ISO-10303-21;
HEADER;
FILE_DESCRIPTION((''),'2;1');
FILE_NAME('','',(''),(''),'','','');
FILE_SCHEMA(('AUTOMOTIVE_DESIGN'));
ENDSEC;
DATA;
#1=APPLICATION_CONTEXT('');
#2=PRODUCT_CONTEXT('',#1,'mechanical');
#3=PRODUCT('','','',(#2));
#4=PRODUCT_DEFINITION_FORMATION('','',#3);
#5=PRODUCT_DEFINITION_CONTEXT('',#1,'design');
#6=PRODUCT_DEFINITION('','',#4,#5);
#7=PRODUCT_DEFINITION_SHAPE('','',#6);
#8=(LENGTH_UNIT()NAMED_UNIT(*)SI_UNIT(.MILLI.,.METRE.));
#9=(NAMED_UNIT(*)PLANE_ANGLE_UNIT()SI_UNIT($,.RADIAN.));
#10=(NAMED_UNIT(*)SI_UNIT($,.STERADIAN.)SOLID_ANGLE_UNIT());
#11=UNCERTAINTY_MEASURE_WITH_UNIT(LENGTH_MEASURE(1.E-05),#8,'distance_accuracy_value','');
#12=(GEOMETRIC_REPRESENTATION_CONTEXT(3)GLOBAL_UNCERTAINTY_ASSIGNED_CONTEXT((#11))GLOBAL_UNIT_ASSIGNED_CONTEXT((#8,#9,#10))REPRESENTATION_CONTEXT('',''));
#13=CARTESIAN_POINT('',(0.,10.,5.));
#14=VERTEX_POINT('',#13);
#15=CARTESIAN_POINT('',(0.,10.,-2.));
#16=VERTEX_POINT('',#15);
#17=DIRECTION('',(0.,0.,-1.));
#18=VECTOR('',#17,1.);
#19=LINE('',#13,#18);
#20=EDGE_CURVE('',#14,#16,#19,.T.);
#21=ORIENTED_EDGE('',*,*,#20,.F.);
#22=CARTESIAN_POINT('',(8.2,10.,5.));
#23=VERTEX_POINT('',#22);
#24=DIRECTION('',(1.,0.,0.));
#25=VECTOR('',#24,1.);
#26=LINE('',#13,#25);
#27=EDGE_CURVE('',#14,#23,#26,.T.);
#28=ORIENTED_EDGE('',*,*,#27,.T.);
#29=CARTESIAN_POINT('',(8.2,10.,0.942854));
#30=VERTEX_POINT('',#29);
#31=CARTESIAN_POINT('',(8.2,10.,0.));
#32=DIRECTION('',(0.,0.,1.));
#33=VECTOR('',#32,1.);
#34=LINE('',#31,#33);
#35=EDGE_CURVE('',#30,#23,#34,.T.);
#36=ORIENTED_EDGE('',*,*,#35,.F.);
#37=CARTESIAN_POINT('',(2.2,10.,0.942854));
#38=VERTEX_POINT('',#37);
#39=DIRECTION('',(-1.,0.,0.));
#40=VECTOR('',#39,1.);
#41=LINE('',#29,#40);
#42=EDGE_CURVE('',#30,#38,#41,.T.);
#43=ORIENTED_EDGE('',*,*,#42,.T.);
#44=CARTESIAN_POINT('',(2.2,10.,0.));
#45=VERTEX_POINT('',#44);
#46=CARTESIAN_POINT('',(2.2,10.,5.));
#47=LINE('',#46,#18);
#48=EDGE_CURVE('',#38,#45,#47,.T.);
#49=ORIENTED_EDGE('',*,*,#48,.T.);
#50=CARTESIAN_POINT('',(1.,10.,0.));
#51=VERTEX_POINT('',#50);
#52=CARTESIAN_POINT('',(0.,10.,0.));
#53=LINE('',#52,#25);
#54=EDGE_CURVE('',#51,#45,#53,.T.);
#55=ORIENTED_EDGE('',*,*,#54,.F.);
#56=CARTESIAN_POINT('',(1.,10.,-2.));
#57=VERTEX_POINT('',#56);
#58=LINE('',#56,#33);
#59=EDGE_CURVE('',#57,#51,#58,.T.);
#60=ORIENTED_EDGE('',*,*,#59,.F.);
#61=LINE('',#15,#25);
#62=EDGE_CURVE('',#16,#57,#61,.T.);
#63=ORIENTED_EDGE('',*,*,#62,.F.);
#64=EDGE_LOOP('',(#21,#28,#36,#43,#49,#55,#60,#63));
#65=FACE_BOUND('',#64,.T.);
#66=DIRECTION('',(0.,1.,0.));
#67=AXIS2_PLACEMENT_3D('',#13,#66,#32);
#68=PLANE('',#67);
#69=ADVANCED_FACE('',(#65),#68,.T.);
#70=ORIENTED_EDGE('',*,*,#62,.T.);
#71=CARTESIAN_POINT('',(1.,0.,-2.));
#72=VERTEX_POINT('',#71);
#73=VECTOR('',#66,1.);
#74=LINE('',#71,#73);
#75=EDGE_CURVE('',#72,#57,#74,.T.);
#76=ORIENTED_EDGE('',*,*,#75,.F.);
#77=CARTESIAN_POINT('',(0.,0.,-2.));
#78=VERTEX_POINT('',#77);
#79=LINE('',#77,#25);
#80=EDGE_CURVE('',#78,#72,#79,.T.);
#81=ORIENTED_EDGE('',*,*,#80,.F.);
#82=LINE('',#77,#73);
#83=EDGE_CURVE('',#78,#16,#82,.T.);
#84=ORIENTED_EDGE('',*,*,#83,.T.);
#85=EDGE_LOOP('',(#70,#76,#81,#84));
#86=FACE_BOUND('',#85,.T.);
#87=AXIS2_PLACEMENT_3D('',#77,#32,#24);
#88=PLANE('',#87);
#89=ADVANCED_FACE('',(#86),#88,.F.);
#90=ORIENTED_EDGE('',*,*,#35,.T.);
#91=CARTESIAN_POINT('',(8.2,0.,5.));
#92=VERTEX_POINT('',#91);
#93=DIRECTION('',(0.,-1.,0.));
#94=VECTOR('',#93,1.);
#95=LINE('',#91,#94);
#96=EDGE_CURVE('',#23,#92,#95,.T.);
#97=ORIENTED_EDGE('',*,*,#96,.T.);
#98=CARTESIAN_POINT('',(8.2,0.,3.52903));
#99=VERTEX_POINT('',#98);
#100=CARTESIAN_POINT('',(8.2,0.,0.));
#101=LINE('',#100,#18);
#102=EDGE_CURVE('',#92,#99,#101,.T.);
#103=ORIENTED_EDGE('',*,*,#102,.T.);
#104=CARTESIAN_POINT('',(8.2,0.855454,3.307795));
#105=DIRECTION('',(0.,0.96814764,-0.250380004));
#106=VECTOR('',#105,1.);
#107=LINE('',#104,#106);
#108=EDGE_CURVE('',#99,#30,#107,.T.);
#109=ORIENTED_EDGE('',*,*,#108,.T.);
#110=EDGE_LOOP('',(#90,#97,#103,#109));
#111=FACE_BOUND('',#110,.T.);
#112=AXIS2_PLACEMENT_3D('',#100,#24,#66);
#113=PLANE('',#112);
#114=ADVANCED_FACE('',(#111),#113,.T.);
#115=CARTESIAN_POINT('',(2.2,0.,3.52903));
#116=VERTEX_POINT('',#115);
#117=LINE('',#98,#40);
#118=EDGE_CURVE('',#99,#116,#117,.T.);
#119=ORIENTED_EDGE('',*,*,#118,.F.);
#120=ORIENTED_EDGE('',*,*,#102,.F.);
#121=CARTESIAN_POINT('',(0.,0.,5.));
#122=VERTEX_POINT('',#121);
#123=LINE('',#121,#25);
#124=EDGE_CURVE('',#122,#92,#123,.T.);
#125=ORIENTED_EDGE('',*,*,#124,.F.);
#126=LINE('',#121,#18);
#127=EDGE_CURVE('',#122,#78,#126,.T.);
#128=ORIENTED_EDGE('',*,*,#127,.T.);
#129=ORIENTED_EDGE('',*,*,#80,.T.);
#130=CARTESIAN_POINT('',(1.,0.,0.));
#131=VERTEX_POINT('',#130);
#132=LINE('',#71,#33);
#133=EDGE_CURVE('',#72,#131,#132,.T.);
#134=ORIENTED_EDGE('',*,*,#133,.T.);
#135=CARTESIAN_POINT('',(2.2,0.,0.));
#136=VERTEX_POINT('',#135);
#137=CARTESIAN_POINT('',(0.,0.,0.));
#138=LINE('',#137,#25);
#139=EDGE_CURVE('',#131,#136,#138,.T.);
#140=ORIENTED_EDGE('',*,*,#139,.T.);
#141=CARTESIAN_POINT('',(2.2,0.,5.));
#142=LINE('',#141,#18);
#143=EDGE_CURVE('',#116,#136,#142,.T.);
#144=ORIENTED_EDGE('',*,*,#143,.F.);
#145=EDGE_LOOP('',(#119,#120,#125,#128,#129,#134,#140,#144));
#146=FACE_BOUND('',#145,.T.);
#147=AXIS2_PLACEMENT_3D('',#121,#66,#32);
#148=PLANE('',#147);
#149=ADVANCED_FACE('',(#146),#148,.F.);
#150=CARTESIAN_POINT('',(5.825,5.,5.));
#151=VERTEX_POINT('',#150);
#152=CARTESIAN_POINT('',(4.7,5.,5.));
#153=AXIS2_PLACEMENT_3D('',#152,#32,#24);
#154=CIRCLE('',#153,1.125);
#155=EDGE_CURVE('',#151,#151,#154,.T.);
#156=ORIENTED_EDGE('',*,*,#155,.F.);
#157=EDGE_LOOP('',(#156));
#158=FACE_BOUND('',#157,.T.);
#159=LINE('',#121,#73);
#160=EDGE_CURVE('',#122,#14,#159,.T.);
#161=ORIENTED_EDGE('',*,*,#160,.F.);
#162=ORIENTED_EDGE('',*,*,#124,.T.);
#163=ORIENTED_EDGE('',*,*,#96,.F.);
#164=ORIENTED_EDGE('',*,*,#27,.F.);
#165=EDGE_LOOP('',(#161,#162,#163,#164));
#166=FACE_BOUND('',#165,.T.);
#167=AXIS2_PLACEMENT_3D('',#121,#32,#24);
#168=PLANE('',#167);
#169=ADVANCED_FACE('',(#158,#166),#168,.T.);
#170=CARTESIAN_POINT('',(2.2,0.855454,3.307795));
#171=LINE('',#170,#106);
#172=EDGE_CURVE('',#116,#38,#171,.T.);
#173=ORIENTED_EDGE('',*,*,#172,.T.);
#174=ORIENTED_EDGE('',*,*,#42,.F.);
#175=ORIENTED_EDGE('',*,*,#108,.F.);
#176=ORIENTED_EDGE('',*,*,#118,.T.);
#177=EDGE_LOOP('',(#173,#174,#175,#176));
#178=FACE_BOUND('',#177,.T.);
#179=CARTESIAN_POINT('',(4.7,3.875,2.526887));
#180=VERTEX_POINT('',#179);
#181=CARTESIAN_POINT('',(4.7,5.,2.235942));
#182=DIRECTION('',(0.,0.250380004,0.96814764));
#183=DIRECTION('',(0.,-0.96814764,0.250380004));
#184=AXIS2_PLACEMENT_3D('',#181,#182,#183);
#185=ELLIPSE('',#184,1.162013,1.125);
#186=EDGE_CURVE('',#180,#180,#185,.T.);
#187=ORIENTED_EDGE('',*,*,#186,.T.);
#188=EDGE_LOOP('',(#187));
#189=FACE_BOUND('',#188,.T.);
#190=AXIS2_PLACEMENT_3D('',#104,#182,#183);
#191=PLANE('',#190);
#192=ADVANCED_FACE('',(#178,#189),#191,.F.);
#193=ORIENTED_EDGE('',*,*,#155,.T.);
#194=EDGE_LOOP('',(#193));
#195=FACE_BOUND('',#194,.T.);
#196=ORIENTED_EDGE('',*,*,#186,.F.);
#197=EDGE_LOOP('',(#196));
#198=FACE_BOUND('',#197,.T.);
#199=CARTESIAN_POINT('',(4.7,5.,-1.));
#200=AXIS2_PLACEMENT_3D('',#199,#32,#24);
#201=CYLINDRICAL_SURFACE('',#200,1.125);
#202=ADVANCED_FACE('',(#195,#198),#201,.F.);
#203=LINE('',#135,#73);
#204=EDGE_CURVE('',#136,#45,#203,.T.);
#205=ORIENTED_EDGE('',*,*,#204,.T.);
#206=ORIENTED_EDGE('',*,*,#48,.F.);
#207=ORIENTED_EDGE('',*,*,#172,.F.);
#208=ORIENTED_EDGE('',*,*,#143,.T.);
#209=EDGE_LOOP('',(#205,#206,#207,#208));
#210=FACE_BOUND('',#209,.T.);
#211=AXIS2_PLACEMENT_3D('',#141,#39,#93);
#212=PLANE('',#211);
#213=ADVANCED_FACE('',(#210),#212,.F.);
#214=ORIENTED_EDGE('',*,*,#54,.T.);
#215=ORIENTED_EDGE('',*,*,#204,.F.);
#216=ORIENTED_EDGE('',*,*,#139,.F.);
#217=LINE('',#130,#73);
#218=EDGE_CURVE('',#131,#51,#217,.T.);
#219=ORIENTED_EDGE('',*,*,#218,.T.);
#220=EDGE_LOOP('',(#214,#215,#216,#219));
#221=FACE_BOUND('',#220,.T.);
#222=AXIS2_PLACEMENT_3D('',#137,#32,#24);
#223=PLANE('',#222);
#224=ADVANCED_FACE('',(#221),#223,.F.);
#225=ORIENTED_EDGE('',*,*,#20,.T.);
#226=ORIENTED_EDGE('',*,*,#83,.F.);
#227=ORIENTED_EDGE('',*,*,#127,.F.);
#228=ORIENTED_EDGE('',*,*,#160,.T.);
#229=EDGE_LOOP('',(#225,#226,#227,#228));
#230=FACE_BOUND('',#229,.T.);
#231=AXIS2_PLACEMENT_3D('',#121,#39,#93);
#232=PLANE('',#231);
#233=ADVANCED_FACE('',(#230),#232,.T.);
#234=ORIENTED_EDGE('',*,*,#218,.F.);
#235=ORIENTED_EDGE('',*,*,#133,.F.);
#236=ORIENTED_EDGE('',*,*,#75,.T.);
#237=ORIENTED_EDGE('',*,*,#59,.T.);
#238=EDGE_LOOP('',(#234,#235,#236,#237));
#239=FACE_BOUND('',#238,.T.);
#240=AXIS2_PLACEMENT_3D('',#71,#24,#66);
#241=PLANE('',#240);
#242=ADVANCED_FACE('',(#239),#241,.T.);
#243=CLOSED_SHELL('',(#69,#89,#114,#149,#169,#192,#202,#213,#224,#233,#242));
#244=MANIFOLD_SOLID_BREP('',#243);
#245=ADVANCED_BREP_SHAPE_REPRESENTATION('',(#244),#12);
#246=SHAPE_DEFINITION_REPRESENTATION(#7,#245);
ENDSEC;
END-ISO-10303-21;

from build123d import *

# Parameters (mm, degrees)
SKETCH2_W           = 2.2
SKETCH2_H           = 10
BOSS_EXTRUDE1_DEPTH = 5
SKETCH2_3_W         = 1
SKETCH2_3_H         = 10
BOSS_EXTRUDE2_DEPTH = 2
BOSS_EXTRUDE3_DEPTH = 6
SKETCH4_R           = 1.125
CUT_EXTRUDE1_DEPTH  = 6


with BuildPart() as part:
    # Sketch2 → Boss-Extrude1 (new body)
    with BuildSketch(Plane.XY):
        with Locations((1.1, 5)):
            Rectangle(SKETCH2_W, SKETCH2_H)
    extrude(amount=BOSS_EXTRUDE1_DEPTH)

    # Sketch2<3> → Boss-Extrude2 (add)
    with BuildSketch(Plane.XY):
        with Locations((0.5, 5)):
            Rectangle(SKETCH2_3_W, SKETCH2_3_H)
    extrude(amount=-BOSS_EXTRUDE2_DEPTH)

    # Sketch3 → Boss-Extrude3 (add)
    with BuildSketch(Plane(origin=(2.2, 0, 0), x_dir=(0, 0, -1), z_dir=(1, 0, 0))):
        Polygon((-5, 0), (-3.52903009, 0), (-0.942854246, 10), (-5, 10), align=None)
    extrude(amount=BOSS_EXTRUDE3_DEPTH)

    # Sketch4 → Cut-Extrude1 (cut)
    with BuildSketch(Plane.XY.offset(5)):
        with Locations((4.7, 5)):
            Circle(SKETCH4_R)
    extrude(amount=-CUT_EXTRUDE1_DEPTH, mode=Mode.SUBTRACT)


solid = part.part
